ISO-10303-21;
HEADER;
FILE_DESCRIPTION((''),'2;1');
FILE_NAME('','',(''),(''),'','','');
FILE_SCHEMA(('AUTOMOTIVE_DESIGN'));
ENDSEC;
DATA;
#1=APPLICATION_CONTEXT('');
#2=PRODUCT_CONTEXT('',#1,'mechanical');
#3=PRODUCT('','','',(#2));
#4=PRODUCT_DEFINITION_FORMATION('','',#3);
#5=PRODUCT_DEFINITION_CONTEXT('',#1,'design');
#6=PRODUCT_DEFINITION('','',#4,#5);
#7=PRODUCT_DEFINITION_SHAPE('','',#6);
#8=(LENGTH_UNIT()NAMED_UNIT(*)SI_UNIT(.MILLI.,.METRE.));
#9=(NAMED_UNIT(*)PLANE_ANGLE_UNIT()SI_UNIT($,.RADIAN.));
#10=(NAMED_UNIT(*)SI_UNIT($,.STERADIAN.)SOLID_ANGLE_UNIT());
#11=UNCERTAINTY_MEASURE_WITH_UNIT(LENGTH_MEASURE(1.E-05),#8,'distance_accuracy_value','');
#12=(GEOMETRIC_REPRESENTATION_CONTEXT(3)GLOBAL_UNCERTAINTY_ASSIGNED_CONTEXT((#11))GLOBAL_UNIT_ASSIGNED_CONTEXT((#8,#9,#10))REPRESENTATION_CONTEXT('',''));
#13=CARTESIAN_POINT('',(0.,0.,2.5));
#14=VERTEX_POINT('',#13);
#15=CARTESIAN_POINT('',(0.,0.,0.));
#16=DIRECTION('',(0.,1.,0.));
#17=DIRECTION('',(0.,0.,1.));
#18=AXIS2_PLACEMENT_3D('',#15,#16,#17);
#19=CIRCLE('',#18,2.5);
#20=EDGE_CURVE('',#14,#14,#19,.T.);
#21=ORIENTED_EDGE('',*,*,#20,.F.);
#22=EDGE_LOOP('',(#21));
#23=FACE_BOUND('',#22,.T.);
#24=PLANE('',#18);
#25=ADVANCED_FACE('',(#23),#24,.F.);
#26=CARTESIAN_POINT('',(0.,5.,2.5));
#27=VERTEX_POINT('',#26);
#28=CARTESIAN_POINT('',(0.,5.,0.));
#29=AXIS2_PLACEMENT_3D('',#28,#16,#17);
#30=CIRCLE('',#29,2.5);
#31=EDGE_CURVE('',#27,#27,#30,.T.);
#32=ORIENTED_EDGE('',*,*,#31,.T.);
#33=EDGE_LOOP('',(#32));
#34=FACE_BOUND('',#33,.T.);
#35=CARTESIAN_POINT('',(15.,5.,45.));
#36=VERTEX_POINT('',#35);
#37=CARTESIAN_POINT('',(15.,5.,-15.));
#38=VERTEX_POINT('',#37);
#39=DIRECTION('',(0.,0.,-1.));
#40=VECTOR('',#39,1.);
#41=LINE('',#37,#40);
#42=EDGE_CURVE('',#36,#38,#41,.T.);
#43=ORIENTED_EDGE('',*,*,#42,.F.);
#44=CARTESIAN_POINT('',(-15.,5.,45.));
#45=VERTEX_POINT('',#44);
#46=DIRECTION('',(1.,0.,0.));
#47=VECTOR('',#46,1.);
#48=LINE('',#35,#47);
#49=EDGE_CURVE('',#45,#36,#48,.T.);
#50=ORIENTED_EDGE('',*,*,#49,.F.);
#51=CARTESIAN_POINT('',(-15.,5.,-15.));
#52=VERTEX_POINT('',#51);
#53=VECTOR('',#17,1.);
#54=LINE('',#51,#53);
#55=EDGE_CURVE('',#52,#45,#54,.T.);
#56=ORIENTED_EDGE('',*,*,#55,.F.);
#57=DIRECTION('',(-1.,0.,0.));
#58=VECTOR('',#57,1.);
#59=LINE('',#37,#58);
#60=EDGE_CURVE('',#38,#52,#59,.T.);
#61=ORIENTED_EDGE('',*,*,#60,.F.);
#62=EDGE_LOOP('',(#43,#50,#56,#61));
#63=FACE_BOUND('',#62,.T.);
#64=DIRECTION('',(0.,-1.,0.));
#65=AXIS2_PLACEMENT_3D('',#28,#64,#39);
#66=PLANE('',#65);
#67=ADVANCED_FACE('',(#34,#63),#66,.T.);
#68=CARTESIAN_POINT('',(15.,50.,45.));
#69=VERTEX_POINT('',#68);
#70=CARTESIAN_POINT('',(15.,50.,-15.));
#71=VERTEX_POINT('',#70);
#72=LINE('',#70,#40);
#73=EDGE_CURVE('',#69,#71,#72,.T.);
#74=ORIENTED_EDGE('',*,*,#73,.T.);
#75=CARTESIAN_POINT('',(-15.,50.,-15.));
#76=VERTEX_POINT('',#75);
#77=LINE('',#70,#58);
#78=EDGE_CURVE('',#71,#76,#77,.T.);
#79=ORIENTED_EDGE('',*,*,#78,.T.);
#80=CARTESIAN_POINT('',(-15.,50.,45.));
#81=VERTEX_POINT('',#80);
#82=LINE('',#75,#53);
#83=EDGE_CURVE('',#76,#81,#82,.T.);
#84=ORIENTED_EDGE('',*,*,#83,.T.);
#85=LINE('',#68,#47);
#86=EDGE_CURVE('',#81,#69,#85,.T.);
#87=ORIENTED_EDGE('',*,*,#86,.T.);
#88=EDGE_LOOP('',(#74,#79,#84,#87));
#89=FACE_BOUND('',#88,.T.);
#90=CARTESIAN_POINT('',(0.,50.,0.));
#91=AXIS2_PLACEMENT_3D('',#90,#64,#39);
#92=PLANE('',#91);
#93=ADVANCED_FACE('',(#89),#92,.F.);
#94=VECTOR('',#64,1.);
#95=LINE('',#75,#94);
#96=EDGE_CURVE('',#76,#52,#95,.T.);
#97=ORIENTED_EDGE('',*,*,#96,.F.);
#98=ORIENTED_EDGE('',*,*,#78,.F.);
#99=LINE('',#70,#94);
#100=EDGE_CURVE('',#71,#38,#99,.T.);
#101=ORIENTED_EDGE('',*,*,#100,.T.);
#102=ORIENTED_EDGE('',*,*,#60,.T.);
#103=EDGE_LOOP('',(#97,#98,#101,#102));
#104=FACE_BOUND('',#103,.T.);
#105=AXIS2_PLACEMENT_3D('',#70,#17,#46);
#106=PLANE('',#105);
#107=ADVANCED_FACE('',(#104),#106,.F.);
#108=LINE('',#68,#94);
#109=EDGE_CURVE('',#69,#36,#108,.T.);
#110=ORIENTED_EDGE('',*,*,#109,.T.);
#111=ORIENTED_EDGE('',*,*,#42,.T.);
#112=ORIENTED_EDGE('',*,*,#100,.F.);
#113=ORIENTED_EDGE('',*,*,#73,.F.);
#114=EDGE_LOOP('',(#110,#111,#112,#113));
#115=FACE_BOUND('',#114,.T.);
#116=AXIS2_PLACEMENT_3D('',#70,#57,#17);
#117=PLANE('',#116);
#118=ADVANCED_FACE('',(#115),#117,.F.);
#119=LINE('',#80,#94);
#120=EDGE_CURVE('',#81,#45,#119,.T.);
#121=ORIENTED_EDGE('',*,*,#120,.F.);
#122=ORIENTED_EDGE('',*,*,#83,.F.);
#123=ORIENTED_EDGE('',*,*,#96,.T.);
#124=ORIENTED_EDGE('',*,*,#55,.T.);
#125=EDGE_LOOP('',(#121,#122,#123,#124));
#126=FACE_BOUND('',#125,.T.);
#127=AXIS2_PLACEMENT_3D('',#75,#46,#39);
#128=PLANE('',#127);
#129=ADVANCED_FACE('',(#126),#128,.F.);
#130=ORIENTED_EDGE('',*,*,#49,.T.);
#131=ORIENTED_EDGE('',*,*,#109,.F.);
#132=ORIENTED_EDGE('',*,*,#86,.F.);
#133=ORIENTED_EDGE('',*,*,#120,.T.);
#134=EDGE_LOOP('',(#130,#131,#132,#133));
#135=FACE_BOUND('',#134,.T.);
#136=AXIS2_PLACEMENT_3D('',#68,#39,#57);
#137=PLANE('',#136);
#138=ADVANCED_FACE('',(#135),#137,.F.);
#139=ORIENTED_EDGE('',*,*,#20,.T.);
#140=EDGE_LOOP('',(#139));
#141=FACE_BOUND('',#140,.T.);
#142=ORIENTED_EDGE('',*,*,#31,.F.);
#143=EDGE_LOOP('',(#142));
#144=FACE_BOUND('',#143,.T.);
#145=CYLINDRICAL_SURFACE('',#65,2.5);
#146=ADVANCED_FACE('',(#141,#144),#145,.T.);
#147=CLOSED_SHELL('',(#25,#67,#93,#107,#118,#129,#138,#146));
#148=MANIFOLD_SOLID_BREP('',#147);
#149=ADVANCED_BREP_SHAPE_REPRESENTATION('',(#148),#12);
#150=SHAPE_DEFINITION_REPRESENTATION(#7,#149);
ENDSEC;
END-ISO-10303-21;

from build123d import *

# Parameters (mm, degrees)
SKETCH1_R           = 2.5
BOSS_EXTRUDE1_DEPTH = 5
SKETCH2_W           = 30
SKETCH2_H           = 60
BOSS_EXTRUDE2_DEPTH = 45


with BuildPart() as part:
    # Sketch1 → Boss-Extrude1 (new body)
    with BuildSketch(Plane(origin=(0, 0, 0), x_dir=(1, 0, 0), z_dir=(0, 1, 0))):
        Circle(SKETCH1_R)
    extrude(amount=BOSS_EXTRUDE1_DEPTH)

    # Sketch2 → Boss-Extrude2 (add)
    with BuildSketch(Plane(origin=(0, 5, 0), x_dir=(1, 0, 0), z_dir=(0, 1, 0))):
        with Locations((0, -15)):
            Rectangle(SKETCH2_W, SKETCH2_H)
    extrude(amount=BOSS_EXTRUDE2_DEPTH)


solid = part.part
